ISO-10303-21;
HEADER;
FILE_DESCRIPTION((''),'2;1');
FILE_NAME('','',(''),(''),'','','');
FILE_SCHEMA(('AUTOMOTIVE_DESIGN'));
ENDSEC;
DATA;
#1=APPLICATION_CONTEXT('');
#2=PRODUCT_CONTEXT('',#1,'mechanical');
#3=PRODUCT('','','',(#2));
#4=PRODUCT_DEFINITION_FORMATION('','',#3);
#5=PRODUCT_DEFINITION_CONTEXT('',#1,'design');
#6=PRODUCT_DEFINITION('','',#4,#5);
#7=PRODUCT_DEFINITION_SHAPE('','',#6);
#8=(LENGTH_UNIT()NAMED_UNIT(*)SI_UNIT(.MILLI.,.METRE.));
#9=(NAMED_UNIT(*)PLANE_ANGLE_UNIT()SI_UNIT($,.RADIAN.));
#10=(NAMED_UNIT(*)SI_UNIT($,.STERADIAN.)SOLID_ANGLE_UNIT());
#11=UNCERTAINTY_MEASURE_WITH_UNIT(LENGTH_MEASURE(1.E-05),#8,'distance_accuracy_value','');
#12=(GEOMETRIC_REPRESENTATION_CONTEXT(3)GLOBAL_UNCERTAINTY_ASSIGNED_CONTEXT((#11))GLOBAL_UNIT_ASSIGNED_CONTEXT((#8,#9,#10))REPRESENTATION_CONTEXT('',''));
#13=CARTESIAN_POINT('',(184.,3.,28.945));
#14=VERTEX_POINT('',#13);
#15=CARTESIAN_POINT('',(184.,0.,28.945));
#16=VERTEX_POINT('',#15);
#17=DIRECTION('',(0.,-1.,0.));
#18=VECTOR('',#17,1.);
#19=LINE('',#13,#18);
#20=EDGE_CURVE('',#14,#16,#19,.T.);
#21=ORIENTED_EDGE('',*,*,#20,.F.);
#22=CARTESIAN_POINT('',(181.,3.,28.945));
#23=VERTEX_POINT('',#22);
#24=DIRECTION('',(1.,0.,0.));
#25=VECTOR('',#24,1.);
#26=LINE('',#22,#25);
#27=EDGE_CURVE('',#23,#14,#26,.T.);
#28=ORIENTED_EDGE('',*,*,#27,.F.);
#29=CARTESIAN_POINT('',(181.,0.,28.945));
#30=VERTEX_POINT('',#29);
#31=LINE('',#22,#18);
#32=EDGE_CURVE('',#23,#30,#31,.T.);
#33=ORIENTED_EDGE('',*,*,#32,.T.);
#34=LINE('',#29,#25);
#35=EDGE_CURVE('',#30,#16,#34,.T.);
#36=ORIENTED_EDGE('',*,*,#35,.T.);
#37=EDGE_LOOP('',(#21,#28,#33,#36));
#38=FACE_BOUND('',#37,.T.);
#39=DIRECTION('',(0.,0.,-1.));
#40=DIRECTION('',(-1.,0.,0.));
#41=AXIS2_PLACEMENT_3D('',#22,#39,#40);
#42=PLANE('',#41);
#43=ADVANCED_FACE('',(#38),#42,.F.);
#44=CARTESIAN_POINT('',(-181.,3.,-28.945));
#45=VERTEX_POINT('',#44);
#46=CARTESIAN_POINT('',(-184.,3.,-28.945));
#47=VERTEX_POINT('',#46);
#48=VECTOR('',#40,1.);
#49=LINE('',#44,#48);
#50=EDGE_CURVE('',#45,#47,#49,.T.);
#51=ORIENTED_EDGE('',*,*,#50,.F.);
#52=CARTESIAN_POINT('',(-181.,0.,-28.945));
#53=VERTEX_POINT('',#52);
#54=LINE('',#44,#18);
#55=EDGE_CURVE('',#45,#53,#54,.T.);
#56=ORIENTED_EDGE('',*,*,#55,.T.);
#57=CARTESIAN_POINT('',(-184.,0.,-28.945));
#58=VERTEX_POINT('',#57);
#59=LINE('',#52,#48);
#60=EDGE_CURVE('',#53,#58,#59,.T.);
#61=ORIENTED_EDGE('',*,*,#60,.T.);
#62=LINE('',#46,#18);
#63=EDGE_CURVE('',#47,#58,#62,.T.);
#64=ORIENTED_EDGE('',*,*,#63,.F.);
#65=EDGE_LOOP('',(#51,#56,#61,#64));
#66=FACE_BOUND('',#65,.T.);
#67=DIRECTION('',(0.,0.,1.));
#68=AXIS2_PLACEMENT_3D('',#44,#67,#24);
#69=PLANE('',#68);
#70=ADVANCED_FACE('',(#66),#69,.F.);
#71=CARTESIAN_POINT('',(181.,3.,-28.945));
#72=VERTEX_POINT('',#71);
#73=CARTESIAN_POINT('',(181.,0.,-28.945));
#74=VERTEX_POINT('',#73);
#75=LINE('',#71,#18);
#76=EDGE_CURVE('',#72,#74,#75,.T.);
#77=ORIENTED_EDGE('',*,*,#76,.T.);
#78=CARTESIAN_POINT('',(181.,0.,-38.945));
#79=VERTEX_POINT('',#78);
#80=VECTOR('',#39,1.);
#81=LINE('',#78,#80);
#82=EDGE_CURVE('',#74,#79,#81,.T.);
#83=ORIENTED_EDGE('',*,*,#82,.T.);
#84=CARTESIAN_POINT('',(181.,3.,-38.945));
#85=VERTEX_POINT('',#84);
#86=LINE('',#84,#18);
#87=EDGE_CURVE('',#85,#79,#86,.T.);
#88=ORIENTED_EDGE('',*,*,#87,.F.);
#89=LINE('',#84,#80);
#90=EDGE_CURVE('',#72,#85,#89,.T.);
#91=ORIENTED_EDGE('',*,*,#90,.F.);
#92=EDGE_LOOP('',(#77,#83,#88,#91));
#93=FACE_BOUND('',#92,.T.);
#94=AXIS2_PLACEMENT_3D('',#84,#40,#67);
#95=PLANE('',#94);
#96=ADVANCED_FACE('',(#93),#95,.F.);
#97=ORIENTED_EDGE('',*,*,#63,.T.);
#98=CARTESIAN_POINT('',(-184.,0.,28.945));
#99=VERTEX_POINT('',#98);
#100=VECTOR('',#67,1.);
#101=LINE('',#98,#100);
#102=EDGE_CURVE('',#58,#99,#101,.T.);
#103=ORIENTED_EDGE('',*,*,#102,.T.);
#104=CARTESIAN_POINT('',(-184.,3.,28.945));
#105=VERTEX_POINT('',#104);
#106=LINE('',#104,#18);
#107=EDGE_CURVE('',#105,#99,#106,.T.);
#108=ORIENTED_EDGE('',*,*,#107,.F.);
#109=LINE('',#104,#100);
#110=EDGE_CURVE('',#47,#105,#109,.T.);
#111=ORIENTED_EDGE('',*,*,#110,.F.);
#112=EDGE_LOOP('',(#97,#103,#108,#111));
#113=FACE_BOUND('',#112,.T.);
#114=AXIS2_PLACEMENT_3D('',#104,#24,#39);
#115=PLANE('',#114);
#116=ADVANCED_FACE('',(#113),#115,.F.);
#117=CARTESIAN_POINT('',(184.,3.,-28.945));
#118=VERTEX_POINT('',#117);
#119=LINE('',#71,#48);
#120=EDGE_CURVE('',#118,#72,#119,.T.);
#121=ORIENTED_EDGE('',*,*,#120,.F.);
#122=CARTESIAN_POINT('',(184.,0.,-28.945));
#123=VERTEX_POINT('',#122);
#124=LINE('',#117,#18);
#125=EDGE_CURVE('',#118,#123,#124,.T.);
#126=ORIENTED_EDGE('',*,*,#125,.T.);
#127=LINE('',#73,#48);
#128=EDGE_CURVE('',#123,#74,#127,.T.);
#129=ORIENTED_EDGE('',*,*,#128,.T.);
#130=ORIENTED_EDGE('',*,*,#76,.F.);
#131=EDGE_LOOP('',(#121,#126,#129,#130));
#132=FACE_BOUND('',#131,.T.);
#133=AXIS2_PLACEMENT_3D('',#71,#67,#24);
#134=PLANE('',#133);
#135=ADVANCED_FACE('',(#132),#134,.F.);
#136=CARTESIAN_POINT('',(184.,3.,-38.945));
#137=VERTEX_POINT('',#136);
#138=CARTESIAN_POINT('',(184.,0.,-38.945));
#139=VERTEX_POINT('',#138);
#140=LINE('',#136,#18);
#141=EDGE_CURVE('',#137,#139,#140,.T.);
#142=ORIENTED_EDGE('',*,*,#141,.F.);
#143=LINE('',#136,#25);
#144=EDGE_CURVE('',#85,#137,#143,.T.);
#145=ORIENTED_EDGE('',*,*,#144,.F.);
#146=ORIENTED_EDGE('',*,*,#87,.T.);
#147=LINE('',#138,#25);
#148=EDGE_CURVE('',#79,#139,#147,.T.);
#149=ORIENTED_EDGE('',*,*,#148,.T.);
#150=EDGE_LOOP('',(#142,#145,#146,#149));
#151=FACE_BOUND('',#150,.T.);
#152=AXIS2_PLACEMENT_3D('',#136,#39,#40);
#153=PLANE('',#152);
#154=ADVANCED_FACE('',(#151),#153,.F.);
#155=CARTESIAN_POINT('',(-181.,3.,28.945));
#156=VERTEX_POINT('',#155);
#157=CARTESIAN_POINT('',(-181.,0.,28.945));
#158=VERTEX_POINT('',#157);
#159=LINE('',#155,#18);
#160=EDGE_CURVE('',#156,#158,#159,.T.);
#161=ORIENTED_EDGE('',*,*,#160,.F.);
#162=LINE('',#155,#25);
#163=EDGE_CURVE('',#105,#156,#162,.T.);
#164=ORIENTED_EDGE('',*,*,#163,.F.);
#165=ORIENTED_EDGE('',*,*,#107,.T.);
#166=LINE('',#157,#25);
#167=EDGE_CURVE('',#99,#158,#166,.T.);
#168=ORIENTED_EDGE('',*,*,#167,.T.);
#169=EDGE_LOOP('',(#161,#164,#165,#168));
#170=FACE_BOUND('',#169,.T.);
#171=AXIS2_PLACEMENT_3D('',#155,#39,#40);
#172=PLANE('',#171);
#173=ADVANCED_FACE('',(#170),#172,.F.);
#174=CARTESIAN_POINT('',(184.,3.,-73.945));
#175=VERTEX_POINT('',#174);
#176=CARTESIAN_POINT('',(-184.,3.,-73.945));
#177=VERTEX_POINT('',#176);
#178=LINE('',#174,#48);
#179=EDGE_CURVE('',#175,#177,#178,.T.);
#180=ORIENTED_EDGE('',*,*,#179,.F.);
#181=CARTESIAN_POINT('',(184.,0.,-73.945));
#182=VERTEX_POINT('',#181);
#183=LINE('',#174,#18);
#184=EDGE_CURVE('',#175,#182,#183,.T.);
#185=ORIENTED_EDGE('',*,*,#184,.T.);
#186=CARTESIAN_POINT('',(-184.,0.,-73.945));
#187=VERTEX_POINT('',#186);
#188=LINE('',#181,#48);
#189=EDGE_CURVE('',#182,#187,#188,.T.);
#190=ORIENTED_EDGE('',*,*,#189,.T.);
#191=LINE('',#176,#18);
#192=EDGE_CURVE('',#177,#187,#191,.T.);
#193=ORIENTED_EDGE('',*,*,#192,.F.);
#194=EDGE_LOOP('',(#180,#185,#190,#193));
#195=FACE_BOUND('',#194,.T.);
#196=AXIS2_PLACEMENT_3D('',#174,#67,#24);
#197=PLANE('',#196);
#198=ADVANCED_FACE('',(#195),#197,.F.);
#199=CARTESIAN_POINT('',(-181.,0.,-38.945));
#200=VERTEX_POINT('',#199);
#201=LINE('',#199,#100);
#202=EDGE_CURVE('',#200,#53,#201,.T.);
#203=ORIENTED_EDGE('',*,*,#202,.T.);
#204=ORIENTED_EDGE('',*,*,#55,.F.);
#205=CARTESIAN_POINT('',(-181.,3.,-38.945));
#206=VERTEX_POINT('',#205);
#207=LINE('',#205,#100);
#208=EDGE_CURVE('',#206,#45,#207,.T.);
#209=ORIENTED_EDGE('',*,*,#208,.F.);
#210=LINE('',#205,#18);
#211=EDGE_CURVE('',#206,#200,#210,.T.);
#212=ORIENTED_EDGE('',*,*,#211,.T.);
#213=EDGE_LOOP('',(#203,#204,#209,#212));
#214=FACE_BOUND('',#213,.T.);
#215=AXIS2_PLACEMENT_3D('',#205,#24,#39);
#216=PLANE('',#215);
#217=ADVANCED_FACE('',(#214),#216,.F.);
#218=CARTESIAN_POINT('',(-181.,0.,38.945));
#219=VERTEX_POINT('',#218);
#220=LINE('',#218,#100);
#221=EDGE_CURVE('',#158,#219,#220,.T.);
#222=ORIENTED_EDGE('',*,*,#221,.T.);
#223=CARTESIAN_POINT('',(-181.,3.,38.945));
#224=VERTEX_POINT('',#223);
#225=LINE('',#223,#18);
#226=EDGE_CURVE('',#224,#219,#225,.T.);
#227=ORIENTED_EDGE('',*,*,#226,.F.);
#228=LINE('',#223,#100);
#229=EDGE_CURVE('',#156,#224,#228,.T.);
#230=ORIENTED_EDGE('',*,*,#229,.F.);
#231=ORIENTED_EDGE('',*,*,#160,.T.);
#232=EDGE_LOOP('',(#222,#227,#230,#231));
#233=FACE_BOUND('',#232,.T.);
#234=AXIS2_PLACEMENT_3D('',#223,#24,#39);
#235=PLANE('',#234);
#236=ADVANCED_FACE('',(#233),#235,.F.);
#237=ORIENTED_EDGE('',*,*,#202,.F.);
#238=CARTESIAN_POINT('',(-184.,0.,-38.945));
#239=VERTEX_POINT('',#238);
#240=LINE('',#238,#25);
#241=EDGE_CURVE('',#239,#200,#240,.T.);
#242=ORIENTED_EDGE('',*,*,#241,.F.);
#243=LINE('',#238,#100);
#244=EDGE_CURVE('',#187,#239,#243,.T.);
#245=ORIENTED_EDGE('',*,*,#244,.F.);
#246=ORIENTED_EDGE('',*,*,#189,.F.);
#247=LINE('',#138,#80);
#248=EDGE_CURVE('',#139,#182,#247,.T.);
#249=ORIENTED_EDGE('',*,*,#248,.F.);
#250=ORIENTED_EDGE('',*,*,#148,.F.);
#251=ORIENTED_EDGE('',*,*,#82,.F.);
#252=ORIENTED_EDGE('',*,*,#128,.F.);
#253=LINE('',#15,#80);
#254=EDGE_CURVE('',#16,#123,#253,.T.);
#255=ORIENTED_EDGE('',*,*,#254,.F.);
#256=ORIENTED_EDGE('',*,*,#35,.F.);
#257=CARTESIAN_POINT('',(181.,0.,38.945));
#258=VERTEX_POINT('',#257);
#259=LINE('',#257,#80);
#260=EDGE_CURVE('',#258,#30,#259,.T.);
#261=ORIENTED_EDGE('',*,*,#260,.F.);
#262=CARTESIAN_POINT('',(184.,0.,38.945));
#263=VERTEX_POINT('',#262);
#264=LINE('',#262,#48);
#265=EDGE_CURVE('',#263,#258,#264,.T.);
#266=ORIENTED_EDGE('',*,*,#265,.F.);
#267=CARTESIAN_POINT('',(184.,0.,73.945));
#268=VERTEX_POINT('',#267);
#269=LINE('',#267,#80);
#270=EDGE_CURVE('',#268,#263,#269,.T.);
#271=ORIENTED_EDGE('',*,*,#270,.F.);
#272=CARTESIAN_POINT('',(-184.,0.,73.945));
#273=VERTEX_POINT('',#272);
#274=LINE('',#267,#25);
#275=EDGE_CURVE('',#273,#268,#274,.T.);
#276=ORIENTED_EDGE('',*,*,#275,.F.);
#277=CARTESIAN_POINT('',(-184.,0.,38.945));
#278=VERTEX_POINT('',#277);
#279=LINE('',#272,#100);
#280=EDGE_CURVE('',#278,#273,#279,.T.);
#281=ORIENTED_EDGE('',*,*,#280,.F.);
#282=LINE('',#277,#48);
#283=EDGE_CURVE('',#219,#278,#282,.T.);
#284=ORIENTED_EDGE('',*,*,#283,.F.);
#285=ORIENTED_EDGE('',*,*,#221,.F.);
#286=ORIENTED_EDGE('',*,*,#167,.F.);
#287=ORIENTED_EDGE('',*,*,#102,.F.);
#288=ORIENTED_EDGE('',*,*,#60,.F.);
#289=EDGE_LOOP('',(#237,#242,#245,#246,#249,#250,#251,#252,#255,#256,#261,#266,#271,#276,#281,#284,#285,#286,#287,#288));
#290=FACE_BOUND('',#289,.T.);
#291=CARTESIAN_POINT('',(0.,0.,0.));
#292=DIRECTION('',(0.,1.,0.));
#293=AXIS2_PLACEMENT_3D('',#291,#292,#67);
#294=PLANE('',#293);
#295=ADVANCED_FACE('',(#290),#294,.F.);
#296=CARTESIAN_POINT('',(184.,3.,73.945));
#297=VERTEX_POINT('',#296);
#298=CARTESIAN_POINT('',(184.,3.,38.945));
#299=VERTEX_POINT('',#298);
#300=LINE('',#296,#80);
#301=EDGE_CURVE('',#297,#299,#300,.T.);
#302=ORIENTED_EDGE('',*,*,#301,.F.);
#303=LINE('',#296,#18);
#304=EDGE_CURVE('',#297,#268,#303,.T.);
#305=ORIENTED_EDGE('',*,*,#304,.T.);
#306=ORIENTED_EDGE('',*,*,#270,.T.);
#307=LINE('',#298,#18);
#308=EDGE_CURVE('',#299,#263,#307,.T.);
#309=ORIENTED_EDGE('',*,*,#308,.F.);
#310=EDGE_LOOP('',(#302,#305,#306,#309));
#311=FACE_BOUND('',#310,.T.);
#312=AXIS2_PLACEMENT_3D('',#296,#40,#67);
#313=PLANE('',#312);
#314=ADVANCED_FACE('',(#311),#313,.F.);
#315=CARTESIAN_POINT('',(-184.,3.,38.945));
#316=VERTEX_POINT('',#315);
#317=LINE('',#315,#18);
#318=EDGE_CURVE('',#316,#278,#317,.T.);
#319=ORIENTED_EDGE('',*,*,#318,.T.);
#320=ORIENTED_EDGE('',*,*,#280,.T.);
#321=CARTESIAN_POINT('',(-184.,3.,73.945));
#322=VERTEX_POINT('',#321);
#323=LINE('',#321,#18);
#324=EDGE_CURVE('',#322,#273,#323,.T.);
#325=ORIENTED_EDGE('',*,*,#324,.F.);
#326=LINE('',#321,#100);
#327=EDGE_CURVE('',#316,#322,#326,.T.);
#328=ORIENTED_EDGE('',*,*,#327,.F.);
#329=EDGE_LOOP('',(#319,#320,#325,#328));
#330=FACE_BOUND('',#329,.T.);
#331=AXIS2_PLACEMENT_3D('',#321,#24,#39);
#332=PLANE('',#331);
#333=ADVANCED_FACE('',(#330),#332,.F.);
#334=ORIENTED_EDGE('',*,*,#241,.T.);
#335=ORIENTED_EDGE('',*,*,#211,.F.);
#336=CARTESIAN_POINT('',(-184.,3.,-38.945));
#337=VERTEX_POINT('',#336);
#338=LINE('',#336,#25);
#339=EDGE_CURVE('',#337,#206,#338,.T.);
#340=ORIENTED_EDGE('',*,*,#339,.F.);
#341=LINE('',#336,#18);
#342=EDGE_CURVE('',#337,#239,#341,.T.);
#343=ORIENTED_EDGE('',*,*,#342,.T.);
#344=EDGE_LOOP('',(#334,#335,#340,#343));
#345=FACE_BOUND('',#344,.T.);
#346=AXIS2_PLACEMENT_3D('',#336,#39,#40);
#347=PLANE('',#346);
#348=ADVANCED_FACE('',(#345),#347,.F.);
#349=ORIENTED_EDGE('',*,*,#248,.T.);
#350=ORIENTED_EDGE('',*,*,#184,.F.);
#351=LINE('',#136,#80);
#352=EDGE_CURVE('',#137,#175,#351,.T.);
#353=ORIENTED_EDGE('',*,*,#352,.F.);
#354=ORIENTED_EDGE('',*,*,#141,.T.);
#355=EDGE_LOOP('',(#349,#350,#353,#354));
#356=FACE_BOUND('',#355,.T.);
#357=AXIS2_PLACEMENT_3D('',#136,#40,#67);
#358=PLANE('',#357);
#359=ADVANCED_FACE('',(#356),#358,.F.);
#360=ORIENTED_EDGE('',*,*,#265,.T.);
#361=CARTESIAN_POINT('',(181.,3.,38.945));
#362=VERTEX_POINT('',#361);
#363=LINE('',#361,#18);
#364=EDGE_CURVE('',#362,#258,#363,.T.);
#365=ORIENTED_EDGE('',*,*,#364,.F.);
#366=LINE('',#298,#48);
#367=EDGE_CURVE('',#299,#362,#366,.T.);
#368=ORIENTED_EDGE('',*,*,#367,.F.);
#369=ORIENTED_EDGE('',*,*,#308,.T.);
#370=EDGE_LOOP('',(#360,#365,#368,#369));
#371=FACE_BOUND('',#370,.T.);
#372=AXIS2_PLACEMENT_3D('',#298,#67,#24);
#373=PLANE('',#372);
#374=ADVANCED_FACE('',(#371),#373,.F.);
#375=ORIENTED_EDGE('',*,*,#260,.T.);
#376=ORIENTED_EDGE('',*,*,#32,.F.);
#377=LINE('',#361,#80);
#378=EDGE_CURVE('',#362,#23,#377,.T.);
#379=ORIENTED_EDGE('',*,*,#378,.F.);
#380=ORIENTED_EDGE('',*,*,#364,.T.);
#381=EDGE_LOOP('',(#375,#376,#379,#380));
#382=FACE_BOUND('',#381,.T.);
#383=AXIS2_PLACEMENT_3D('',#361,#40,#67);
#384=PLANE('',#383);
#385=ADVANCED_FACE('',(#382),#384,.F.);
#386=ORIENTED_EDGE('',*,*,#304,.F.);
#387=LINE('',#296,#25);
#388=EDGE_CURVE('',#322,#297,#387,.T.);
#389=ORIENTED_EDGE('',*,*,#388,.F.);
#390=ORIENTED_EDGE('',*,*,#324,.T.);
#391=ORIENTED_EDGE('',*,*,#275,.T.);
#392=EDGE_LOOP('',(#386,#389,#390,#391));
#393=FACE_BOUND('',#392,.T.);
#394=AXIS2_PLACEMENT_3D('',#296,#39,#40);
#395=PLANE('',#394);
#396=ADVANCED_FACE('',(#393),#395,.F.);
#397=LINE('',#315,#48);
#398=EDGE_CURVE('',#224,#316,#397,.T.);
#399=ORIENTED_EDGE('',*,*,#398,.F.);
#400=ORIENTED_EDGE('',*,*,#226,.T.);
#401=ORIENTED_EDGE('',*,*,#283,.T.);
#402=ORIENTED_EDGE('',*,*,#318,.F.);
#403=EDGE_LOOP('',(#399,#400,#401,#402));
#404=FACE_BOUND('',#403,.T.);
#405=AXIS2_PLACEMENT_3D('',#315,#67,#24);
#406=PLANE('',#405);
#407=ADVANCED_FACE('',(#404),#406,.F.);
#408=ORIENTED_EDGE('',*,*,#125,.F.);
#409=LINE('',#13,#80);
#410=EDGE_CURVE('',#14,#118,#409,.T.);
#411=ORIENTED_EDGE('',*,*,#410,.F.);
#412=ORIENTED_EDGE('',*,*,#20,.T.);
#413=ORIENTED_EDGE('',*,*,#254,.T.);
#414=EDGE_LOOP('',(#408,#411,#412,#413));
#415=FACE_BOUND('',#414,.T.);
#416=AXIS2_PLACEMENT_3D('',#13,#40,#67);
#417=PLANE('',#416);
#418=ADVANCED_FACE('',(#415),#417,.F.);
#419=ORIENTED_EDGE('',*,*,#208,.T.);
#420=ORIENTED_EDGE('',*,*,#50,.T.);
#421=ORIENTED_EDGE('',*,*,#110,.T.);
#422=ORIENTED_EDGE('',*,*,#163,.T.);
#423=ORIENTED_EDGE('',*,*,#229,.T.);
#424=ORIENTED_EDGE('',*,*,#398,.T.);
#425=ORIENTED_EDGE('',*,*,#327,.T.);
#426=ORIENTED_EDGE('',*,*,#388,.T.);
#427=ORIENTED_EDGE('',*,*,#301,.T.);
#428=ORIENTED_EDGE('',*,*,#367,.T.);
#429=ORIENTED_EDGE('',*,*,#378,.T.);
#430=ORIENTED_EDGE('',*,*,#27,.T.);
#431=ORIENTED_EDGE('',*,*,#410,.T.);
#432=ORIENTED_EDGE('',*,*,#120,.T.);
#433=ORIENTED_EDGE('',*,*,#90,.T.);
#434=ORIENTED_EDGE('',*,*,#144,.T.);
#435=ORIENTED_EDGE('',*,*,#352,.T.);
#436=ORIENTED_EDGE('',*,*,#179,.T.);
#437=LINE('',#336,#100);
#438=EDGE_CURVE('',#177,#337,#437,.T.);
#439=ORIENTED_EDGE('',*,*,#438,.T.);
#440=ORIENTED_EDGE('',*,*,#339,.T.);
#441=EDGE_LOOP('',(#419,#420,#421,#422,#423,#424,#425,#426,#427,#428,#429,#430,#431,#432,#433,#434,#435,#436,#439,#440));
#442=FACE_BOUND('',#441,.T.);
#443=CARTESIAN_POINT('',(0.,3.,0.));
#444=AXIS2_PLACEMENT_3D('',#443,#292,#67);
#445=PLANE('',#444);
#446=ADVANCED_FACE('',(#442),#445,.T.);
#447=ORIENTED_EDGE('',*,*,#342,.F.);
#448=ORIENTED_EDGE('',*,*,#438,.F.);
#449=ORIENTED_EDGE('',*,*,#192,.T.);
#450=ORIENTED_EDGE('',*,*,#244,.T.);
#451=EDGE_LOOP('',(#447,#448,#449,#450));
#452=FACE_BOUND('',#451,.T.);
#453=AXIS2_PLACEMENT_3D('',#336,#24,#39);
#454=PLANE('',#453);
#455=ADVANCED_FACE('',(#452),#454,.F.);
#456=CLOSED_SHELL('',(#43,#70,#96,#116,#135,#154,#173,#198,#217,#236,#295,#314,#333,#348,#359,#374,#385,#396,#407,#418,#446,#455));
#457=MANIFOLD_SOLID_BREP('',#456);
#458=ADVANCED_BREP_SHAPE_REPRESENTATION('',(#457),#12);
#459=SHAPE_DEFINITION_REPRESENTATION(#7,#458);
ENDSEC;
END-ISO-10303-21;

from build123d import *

# Parameters (mm, degrees)
BOSS_EXTRUDE1_DEPTH = 3


with BuildPart() as part:
    # Sketch1 → Boss-Extrude1 (new body)
    with BuildSketch(Plane(origin=(0, 0, 0), x_dir=(1, 0, 0), z_dir=(0, 1, 0))):
        Polygon((-184, 38.945), (-181, 38.945), (-181, 28.945), (-184, 28.945), (-184, -28.945), (-181, -28.945), (-181, -38.945), (-184, -38.945), (-184, -73.945), (184, -73.945), (184, -38.945), (181, -38.945), (181, -28.945), (184, -28.945), (184, 28.945), (181, 28.945), (181, 38.945), (184, 38.945), (184, 73.945), (-184, 73.945), align=None)
    extrude(amount=BOSS_EXTRUDE1_DEPTH)


solid = part.part
